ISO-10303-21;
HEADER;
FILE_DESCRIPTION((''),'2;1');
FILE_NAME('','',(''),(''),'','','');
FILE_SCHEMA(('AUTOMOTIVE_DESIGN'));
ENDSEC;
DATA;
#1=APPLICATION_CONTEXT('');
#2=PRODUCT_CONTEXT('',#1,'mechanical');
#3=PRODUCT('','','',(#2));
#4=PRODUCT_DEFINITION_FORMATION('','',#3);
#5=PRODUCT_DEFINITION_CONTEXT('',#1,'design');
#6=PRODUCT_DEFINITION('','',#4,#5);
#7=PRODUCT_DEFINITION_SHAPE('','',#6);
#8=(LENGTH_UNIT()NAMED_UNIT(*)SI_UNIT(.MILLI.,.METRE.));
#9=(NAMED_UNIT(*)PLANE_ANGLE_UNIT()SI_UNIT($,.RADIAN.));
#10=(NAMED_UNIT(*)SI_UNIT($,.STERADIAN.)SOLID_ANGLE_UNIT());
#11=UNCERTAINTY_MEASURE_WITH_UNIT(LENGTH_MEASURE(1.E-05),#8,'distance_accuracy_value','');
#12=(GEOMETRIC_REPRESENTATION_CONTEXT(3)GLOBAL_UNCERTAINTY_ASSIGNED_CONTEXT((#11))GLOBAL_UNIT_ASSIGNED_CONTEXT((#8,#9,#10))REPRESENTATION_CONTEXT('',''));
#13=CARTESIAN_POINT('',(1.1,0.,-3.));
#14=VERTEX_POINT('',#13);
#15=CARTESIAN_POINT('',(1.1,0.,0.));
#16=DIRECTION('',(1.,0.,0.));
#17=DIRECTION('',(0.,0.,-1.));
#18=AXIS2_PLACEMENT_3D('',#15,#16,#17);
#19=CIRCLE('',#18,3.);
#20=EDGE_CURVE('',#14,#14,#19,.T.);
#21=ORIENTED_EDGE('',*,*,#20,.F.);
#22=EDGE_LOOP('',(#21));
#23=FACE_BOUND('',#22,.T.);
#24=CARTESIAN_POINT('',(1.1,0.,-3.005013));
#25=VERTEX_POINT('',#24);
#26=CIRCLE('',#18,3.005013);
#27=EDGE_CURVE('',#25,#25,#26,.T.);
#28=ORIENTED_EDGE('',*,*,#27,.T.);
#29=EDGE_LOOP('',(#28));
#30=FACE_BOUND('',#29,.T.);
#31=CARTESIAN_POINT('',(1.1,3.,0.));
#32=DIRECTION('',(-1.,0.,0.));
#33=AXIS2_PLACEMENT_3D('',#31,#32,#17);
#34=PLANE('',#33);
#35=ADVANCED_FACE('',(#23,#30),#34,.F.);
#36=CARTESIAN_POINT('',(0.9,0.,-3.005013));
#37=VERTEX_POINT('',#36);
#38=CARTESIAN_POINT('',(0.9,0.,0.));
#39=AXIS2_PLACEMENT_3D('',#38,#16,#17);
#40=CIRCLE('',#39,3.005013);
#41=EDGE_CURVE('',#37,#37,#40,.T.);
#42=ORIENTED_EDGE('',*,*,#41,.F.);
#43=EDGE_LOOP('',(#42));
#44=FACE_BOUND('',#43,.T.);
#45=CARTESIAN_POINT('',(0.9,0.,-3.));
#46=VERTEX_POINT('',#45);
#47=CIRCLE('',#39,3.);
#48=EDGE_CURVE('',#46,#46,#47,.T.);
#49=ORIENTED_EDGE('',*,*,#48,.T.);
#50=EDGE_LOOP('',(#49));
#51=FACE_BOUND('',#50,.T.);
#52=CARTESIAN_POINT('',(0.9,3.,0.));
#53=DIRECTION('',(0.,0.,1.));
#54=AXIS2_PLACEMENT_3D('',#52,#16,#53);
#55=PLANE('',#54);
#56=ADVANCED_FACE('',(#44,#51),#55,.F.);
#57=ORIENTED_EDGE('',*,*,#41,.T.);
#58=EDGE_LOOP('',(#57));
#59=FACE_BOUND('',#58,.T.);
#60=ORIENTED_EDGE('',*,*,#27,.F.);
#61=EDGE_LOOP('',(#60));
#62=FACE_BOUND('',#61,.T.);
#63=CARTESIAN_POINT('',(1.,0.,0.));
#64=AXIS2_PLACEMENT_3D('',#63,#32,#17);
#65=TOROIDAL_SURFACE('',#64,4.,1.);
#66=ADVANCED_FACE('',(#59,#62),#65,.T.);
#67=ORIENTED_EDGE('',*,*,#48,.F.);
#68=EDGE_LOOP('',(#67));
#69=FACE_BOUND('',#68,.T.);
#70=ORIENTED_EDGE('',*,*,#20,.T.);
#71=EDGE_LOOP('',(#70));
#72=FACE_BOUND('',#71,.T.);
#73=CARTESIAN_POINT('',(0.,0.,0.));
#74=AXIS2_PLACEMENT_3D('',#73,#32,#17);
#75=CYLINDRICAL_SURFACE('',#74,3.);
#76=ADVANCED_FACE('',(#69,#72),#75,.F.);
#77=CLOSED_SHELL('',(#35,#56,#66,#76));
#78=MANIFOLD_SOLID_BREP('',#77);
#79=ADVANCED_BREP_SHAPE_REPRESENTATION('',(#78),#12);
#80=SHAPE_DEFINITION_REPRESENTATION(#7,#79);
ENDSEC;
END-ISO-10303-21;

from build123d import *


with BuildPart() as part:
    # Sketch1 → Revolve1 (revolve)
    with BuildSketch(Plane.XY, mode=Mode.PRIVATE) as revolve1_sk:
        with BuildLine():
            Line((0.9, 3), (1, 3))
            Line((1, 3), (1.1, 3))
            Line((1.1, 3), (1.1, 3.005012563))
            ThreePointArc((1.1, 3.005012563), (1, 5), (0.9, 3.005012563))
            Line((0.9, 3.005012563), (0.9, 3))
        make_face()
    revolve(revolve1_sk.sketch.rotate(Axis((0, 0, 0), (1, 0, 0)), 90), axis=Axis((0, 0, 0), (1, 0, 0)))


solid = part.part
